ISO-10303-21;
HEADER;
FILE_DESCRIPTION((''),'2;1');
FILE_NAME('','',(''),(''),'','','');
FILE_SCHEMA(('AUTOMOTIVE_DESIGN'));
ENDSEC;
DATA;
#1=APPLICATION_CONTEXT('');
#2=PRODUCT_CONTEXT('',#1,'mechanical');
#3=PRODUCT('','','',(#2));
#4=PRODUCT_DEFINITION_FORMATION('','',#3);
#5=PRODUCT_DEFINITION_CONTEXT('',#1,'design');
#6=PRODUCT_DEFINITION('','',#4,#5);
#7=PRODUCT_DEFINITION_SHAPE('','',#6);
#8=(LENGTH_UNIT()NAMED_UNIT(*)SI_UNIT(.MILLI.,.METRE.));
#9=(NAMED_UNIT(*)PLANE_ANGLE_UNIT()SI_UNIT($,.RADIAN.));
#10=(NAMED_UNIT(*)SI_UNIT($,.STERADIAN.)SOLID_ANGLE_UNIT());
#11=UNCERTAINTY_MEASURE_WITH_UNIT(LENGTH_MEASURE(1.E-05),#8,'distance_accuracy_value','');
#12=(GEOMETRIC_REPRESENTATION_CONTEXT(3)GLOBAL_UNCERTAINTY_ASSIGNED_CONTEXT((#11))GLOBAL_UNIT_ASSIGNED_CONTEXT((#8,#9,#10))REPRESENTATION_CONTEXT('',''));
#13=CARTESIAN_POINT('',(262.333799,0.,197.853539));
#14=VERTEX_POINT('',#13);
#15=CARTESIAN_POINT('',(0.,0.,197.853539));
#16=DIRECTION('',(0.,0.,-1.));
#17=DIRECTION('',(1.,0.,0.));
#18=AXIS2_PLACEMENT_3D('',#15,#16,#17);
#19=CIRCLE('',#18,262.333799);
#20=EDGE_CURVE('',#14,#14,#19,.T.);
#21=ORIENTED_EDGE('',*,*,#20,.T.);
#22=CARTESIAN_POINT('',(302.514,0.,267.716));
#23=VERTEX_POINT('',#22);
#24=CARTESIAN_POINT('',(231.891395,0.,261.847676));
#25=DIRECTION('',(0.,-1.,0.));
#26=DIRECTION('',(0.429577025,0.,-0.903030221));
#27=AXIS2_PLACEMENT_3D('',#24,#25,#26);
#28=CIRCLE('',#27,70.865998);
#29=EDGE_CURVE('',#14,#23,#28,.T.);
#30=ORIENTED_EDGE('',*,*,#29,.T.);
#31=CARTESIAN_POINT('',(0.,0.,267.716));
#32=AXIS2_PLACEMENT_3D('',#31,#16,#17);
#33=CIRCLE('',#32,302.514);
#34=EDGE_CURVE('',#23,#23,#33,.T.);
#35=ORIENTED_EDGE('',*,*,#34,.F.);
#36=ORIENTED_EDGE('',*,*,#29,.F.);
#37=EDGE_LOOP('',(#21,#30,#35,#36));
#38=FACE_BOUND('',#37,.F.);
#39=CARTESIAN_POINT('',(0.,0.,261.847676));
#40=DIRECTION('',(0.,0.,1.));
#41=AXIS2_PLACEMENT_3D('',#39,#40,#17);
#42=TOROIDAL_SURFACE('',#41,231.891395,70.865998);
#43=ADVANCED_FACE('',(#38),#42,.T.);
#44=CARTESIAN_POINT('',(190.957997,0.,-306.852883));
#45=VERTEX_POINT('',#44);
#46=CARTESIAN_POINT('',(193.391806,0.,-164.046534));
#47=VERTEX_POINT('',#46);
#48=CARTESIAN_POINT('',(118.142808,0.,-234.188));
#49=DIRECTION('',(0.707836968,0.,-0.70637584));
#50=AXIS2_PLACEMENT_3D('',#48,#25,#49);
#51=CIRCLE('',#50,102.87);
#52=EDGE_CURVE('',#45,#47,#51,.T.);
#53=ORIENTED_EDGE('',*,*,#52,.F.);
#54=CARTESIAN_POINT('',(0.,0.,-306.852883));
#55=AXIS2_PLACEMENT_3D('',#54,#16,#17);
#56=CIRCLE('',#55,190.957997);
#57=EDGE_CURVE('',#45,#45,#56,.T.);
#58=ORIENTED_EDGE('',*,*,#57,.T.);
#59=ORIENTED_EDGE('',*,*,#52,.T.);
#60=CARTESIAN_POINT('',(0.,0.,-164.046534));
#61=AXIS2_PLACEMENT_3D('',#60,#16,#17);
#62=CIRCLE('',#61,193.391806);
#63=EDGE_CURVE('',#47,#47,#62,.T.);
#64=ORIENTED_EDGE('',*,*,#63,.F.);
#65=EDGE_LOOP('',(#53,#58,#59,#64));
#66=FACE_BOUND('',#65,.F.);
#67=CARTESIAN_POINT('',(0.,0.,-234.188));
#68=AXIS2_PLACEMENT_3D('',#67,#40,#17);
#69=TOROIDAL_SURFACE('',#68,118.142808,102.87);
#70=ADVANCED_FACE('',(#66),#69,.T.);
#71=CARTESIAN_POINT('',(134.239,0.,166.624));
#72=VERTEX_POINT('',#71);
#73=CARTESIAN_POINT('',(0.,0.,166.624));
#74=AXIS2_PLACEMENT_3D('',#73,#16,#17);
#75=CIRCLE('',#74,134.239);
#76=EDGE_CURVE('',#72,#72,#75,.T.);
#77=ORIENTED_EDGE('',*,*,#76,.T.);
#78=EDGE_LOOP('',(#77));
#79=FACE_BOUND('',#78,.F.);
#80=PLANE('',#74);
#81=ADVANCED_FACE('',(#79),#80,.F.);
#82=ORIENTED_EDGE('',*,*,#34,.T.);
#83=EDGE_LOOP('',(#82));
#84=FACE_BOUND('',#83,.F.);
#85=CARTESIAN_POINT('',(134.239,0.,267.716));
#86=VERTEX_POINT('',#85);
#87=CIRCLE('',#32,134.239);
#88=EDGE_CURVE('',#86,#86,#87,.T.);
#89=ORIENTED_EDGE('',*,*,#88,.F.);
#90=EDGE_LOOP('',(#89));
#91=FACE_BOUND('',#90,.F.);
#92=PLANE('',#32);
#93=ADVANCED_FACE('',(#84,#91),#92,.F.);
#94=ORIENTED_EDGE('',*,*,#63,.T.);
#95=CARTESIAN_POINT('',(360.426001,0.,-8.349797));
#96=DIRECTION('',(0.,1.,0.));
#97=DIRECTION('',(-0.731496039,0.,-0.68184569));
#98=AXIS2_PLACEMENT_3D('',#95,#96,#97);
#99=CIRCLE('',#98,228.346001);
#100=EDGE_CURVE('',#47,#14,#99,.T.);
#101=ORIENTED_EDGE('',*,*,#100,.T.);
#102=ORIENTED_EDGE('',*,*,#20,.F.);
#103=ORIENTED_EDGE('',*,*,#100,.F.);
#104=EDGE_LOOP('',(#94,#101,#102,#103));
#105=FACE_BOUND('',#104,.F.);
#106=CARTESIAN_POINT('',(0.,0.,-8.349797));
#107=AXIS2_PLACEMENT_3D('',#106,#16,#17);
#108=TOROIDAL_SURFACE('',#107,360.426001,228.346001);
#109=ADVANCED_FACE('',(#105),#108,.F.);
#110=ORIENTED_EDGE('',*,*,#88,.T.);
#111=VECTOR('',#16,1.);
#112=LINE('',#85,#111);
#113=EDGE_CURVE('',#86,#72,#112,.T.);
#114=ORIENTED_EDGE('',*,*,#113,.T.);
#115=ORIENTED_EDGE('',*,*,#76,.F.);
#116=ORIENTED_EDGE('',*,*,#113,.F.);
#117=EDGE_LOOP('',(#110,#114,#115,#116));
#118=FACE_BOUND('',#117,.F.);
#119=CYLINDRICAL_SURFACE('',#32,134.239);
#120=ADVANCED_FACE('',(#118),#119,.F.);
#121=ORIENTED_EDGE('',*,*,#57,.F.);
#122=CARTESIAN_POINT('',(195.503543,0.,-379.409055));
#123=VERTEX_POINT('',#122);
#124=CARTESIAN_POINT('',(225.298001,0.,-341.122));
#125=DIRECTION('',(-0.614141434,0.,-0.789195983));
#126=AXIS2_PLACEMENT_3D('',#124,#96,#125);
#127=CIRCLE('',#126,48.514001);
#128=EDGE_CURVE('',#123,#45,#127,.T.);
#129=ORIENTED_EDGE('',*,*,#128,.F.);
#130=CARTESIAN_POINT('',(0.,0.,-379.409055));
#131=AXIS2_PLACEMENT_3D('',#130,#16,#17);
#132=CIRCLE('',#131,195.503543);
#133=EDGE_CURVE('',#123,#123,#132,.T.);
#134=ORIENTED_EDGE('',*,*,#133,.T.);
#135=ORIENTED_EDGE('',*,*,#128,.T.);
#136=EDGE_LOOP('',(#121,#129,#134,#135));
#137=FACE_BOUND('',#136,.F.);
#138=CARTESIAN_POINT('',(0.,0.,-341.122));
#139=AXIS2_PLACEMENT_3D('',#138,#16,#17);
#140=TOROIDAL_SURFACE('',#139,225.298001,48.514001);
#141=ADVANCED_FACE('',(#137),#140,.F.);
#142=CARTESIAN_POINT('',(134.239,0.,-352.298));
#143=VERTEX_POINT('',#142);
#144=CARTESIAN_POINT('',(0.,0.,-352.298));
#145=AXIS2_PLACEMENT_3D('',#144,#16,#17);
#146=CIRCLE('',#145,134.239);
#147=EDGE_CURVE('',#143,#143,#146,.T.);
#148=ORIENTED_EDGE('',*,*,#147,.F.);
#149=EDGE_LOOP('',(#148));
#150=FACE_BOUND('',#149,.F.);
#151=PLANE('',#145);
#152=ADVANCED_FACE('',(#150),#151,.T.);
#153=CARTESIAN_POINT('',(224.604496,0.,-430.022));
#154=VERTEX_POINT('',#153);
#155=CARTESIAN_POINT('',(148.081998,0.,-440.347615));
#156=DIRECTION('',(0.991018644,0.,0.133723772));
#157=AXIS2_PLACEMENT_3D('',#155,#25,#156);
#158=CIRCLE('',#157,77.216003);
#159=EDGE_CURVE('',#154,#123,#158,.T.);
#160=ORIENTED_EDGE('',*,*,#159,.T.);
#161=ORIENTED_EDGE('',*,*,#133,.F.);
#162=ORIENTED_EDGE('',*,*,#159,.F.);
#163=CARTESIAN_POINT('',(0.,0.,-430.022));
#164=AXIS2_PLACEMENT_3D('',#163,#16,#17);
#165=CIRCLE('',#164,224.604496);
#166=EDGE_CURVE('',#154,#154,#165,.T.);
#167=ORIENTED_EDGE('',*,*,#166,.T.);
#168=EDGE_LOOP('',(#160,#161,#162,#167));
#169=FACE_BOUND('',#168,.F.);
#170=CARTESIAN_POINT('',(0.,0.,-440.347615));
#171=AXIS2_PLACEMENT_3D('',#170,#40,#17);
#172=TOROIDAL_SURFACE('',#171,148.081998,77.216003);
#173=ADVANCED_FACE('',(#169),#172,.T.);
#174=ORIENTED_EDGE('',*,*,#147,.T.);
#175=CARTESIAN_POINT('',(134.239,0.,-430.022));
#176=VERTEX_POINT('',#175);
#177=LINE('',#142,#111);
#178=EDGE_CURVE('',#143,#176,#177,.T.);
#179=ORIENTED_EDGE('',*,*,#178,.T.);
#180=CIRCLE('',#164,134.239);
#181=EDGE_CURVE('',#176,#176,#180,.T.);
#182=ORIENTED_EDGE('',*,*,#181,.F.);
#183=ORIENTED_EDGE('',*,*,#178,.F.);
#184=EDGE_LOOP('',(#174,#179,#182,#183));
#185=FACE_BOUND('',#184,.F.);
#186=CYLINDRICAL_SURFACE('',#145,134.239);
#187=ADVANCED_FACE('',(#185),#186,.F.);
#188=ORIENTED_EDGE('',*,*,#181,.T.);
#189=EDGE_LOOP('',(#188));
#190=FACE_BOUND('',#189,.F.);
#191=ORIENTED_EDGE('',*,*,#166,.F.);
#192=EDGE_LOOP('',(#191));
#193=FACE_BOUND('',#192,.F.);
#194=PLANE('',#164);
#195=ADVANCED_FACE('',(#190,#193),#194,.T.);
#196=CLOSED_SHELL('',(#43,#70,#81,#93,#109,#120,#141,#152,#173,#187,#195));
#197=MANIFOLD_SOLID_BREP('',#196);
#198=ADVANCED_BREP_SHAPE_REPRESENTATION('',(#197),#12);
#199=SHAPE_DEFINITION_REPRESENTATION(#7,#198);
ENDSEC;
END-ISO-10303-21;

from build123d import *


with BuildPart() as f1:
    # F0 (on Front) → F1 (revolve)
    with BuildSketch(Plane.XZ):
        with BuildLine():
            Line((0, 166.624), (0, 0))
            Line((0, 0), (0, -352.298))
            Line((0, -352.298), (134.239, -352.298))
            Line((134.239, -352.298), (134.239, -430.022))
            Line((134.239, -430.022), (224.604496, -430.022))
            ThreePointArc((224.604496, -430.022), (215.021889, -401.859149), (195.503543, -379.409055))
            ThreePointArc((195.503543, -379.409055), (176.878926, -344.15539), (190.957997, -306.852883))
            ThreePointArc((190.957997, -306.852883), (220.997872, -235.94093), (193.391806, -164.046534))
            ThreePointArc((193.391806, -164.046534), (136.113903, 34.381675), (262.333799, 197.853539))
            ThreePointArc((262.333799, 197.853539), (293.322046, 226.516887), (302.514, 267.716))
            Line((302.514, 267.716), (134.239, 267.716))
            Line((134.239, 267.716), (134.239, 166.624))
            Line((134.239, 166.624), (0, 166.624))
        make_face()
    revolve(axis=Axis((0, 0, -176.149), (0, 0, -1)))


solid = f1.part
